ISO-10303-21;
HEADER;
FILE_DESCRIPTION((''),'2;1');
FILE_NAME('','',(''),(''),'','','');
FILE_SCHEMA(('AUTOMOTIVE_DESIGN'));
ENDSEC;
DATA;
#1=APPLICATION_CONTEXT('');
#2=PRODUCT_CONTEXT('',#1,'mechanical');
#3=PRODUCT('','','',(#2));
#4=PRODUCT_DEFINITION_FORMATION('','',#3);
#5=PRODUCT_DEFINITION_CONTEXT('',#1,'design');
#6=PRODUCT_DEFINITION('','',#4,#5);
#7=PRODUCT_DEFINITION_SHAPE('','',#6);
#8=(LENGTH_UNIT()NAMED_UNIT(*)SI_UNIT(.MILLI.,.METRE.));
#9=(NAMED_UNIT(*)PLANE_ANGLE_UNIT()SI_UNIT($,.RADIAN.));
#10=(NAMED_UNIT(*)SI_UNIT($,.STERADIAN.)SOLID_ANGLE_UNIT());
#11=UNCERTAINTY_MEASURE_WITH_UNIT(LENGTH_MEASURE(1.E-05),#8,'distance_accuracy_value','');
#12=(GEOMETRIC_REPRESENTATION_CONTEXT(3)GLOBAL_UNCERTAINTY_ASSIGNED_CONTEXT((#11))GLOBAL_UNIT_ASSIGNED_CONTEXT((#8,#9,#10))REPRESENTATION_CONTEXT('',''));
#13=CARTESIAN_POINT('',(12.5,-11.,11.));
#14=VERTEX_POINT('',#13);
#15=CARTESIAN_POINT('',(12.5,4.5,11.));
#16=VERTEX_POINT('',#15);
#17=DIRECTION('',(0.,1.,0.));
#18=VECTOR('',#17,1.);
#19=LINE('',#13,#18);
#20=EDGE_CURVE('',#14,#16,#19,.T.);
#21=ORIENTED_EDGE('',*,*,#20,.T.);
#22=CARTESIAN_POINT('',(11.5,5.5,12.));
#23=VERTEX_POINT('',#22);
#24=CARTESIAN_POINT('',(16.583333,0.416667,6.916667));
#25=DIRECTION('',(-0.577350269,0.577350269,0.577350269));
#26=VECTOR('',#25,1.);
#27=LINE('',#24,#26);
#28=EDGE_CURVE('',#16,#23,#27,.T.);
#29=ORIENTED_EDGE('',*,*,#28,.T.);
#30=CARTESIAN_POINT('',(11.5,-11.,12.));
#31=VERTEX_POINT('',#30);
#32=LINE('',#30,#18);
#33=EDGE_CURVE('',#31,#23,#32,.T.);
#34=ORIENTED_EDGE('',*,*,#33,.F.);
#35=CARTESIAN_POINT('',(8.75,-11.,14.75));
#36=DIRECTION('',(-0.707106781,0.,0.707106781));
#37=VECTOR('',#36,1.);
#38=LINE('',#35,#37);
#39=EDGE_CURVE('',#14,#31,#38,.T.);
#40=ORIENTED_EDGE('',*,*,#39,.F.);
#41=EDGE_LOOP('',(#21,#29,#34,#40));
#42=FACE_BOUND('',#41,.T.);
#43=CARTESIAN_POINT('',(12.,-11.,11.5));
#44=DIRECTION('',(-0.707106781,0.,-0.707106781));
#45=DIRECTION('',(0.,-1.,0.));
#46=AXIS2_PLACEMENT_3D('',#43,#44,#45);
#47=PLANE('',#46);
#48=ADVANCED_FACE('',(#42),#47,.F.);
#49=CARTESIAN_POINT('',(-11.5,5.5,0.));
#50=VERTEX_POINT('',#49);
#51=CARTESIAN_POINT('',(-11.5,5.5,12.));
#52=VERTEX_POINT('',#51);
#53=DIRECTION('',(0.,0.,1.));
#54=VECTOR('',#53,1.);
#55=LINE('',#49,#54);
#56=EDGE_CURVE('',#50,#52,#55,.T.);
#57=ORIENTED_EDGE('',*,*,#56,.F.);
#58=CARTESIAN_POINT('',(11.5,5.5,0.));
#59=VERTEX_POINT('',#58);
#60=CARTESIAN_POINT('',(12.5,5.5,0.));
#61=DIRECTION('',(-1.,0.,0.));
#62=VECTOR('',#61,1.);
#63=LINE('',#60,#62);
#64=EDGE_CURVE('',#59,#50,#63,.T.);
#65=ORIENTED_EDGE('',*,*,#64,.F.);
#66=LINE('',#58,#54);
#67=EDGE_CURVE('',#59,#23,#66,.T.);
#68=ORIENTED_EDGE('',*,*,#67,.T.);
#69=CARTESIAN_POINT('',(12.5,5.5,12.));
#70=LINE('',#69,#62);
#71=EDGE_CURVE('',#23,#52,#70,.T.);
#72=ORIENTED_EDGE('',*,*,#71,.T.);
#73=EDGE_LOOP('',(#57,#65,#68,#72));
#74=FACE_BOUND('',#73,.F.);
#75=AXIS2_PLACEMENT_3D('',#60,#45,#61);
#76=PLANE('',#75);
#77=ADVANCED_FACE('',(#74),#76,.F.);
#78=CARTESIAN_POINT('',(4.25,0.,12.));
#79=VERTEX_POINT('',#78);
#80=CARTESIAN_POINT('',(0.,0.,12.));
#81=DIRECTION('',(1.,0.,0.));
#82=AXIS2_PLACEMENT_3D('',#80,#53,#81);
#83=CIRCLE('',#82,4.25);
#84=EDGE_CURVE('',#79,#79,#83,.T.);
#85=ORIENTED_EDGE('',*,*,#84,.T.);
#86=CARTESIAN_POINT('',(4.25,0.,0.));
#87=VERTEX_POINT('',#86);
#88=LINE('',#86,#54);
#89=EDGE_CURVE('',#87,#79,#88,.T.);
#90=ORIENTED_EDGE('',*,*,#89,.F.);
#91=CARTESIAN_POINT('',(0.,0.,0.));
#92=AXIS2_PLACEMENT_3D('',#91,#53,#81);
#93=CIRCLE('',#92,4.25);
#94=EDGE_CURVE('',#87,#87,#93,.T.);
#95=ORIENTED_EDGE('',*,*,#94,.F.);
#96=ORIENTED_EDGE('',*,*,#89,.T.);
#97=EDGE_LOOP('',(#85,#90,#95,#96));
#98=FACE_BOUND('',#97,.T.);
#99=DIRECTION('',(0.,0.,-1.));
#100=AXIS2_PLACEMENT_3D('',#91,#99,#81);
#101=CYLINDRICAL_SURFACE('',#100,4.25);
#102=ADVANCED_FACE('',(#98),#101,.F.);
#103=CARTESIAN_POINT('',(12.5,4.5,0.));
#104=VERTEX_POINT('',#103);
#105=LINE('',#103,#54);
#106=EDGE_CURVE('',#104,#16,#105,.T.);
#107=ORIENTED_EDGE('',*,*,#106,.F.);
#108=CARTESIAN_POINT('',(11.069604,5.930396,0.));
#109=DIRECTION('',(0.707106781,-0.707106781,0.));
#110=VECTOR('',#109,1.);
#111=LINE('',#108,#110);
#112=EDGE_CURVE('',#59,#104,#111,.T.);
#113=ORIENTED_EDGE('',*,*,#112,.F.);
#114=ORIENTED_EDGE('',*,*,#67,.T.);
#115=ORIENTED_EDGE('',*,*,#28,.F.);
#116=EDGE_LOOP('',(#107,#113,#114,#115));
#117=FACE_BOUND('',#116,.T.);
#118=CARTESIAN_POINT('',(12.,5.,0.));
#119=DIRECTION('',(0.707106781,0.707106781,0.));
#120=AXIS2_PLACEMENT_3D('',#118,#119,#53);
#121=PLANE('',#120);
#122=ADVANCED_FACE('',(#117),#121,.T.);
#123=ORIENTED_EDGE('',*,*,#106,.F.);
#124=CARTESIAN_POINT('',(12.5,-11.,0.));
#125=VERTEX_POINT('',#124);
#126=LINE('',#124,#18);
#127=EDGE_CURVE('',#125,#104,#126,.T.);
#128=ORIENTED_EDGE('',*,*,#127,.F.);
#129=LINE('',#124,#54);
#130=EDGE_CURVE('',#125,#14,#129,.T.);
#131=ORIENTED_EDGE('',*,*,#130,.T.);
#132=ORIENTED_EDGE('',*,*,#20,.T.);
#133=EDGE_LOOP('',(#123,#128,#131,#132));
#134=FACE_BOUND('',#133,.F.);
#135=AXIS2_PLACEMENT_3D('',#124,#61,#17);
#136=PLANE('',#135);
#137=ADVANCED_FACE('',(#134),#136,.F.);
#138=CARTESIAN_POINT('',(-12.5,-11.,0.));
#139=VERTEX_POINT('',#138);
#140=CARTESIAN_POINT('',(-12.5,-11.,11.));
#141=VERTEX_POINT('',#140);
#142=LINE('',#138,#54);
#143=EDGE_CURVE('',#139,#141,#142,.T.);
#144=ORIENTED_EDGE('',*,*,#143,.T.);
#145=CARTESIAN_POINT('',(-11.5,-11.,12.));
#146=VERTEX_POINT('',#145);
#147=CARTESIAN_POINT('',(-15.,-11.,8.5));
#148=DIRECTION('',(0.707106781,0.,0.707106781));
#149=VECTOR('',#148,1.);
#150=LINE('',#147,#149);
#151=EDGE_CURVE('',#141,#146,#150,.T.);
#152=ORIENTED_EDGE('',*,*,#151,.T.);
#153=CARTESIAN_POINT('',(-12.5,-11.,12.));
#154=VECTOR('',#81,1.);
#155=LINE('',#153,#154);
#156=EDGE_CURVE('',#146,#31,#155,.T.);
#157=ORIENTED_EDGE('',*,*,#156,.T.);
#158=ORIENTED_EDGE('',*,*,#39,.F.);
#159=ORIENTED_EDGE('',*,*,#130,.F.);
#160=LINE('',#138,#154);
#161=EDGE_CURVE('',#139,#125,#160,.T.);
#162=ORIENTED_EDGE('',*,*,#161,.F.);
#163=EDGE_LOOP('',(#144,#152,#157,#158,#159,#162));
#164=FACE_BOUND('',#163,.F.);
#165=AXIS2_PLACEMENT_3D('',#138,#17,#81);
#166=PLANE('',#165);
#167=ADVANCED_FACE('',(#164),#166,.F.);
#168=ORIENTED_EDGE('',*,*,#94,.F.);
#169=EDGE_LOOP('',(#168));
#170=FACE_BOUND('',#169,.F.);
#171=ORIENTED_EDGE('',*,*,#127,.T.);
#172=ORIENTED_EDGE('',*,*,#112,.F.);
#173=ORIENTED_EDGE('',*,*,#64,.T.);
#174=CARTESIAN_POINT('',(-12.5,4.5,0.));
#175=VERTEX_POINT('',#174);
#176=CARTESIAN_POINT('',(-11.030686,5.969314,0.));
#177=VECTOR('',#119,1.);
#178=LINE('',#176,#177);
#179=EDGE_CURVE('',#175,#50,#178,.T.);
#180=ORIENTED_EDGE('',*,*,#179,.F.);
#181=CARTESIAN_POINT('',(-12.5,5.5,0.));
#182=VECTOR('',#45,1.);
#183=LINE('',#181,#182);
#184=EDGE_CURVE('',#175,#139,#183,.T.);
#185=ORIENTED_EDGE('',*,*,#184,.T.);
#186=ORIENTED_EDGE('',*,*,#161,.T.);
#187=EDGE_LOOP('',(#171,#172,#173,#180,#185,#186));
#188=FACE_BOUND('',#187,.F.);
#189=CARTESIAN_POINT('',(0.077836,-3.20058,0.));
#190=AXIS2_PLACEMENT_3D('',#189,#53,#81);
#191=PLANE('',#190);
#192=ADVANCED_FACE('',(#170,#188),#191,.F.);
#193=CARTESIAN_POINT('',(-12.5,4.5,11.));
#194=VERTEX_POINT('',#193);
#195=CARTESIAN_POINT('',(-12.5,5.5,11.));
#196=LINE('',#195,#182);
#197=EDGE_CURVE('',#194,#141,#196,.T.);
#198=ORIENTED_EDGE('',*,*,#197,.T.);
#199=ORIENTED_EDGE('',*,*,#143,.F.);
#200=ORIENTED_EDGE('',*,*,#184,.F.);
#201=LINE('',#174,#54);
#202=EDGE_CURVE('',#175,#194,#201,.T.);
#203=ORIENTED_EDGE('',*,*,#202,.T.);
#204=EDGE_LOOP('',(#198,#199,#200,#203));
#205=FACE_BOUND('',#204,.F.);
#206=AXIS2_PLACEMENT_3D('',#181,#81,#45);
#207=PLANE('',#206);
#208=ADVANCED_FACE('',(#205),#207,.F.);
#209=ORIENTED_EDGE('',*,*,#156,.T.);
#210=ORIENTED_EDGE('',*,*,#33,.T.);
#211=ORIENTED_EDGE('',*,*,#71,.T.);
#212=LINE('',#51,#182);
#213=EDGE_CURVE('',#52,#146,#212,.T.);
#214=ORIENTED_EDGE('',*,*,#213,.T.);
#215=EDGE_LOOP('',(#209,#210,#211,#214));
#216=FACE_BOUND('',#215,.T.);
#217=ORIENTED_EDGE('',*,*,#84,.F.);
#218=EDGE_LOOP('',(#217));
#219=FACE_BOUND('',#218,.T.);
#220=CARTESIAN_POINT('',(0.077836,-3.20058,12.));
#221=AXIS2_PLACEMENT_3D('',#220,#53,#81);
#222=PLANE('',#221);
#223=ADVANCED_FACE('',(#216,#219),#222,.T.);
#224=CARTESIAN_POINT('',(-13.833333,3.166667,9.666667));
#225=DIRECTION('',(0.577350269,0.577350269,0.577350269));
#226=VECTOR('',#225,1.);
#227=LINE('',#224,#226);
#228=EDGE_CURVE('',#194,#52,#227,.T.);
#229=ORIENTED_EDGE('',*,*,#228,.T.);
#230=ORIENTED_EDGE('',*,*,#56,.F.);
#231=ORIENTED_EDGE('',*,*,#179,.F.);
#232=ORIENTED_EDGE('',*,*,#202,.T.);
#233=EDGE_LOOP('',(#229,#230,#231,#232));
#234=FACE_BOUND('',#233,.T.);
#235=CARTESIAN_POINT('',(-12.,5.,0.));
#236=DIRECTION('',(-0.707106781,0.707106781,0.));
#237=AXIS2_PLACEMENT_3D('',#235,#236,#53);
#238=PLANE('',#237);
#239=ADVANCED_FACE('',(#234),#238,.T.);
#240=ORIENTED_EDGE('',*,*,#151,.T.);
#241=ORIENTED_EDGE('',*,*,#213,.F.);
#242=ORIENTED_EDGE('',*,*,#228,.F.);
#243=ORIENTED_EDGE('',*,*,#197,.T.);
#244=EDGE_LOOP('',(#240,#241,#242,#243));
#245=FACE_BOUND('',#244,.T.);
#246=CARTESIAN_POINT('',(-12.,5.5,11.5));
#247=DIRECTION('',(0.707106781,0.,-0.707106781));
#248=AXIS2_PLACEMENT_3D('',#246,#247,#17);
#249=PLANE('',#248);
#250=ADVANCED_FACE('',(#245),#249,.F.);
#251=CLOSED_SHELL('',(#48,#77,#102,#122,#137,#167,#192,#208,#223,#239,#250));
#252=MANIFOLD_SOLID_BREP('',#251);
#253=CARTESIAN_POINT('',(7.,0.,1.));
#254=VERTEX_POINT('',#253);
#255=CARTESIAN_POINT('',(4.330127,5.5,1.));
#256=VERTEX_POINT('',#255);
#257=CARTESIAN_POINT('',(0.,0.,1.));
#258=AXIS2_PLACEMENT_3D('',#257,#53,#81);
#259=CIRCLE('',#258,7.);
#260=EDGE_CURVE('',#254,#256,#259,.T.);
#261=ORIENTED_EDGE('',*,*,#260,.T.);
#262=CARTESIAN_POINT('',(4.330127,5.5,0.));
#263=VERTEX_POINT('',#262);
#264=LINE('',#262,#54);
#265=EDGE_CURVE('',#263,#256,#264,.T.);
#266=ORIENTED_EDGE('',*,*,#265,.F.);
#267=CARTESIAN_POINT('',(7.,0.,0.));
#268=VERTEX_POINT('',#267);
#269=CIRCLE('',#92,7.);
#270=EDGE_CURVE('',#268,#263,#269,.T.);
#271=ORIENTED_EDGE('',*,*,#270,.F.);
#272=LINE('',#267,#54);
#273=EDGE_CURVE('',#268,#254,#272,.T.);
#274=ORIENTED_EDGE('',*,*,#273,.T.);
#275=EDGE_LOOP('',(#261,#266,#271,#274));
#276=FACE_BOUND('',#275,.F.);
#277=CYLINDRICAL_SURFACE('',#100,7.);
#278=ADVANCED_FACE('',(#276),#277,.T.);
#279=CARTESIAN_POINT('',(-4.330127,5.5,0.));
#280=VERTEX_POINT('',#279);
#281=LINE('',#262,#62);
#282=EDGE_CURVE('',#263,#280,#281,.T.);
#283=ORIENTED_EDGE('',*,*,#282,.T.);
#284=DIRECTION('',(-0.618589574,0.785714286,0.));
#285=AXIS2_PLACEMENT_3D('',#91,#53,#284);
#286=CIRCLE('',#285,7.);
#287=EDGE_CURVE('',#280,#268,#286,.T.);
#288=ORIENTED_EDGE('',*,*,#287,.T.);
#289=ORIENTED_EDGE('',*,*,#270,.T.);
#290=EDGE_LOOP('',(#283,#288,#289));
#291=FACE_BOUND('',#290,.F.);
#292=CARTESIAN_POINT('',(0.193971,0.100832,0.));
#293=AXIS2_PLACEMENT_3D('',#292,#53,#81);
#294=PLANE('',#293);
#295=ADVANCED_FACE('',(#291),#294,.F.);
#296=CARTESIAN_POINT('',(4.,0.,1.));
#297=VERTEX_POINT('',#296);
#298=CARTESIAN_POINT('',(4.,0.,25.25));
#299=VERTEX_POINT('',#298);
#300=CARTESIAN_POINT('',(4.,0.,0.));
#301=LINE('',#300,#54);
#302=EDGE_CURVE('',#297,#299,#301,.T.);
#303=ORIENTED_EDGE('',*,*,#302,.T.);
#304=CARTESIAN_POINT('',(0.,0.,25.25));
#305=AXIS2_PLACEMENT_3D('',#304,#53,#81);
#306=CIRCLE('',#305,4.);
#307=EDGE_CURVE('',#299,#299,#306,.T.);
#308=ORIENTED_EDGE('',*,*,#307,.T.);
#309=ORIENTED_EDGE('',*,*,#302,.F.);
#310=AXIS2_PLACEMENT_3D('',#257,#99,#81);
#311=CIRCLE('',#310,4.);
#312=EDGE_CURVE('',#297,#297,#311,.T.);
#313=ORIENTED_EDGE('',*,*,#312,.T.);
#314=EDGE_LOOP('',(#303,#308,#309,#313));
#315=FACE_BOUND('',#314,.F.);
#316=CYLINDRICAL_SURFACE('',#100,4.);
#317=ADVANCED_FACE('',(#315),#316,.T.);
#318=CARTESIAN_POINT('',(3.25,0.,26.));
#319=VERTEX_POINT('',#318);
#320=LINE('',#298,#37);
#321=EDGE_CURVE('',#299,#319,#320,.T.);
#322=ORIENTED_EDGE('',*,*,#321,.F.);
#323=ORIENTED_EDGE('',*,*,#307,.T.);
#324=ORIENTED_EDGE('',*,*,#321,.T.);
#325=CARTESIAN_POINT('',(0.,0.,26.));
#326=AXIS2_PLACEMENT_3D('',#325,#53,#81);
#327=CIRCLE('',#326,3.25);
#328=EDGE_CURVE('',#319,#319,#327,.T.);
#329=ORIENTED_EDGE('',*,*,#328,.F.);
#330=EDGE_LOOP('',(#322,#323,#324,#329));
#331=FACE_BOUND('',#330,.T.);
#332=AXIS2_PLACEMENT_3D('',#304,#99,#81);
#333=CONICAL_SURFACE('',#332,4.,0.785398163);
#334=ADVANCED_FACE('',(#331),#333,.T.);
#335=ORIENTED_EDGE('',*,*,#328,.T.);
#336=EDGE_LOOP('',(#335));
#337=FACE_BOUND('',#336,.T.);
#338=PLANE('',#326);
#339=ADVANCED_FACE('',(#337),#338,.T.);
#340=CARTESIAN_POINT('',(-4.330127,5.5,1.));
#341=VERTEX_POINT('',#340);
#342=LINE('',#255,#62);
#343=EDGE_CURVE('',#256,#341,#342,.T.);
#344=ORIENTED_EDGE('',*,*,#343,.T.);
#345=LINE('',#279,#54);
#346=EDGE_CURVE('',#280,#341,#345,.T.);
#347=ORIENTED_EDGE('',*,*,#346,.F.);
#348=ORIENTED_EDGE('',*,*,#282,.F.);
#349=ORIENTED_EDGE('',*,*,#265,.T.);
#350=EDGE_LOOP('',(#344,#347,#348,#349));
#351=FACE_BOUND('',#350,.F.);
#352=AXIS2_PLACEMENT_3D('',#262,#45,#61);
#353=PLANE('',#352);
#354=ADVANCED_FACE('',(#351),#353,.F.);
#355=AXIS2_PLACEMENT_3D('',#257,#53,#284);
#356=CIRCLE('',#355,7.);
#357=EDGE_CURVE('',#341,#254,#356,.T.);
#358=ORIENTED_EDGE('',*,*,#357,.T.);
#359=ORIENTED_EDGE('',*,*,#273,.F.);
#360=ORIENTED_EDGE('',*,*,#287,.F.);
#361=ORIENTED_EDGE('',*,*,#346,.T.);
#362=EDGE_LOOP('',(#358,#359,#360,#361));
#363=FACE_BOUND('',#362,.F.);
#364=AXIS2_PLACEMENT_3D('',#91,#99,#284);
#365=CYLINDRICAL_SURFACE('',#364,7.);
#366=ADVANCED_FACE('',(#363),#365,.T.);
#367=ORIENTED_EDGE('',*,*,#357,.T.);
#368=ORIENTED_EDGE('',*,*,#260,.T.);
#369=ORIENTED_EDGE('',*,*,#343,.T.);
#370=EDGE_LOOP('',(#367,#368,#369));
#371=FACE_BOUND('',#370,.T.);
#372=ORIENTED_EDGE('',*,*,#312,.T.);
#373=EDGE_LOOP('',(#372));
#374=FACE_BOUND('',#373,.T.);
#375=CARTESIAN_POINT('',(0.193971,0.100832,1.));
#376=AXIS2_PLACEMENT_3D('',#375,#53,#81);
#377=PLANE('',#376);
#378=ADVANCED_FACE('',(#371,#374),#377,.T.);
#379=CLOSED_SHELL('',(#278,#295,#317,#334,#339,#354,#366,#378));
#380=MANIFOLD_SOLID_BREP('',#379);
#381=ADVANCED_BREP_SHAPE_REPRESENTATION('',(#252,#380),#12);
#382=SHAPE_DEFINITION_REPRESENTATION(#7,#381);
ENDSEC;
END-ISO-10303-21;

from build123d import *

# Parameters (mm, degrees)
F0_R     = 4
F1_DEPTH = 26
F0_R_2   = 4.25
F2_DEPTH = 1
F3_DEPTH = 12
F4_SIZE  = 0.75
F5_SIZE  = 1


with BuildPart() as f1:
    # F0 (on Top) → F1 (new body)
    with BuildSketch(Plane.XY):
        Circle(F0_R)
    extrude(amount=F1_DEPTH)

    # F0 (on Top) → F2 (join)
    with BuildSketch(Plane.XY):
        with BuildLine():
            Line((4.3301270189, 5.5), (-4.3301270189, 5.5))
            ThreePointArc((-4.3301270189, 5.5), (-3.0568865589, -6.2972569081), (7, 0))
            ThreePointArc((7, 0), (6.2972569081, 3.0568865589), (4.3301270189, 5.5))
        make_face()
        Circle(F0_R_2, mode=Mode.SUBTRACT)
        Circle(F0_R_2)
        Circle(F0_R, mode=Mode.SUBTRACT)
        Circle(F0_R)
    extrude(amount=F2_DEPTH)

    # F4
    f4_edges = [f1.edges().sort_by_distance(p)[0] for p in [
        (-4, 0, 26),
    ]]
    chamfer(f4_edges, length=F4_SIZE)


with BuildPart() as f3:
    # F0 (on Top) → F3 (new body)
    with BuildSketch(Plane.XY):
        with BuildLine():
            Line((-5.0990195136, 5.5), (-12.5, 5.5))
            Line((-12.5, 5.5), (-12.5, -11))
            Line((-12.5, -11), (12.5, -11))
            Line((12.5, -11), (12.5, 5.5))
            Line((12.5, 5.5), (5.0990195136, 5.5))
            ThreePointArc((5.0990195136, 5.5), (6.8735960876, 3.0006127414), (7.5, 0))
            ThreePointArc((7.5, 0), (-3.0006127414, -6.8735960876), (-5.0990195136, 5.5))
        make_face()
        with BuildLine():
            Line((-4.3301270189, 5.5), (-5.0990195136, 5.5))
            ThreePointArc((-5.0990195136, 5.5), (-3.0006127414, -6.8735960876), (7.5, 0))
            ThreePointArc((7.5, 0), (6.8735960876, 3.0006127414), (5.0990195136, 5.5))
            Line((5.0990195136, 5.5), (4.3301270189, 5.5))
            ThreePointArc((4.3301270189, 5.5), (6.2972569081, 3.0568865589), (7, 0))
            ThreePointArc((7, 0), (-3.0568865589, -6.2972569081), (-4.3301270189, 5.5))
        make_face()
        with BuildLine():
            Line((4.3301270189, 5.5), (-4.3301270189, 5.5))
            ThreePointArc((-4.3301270189, 5.5), (-3.0568865589, -6.2972569081), (7, 0))
            ThreePointArc((7, 0), (6.2972569081, 3.0568865589), (4.3301270189, 5.5))
        make_face()
        Circle(F0_R_2, mode=Mode.SUBTRACT)
    extrude(amount=F3_DEPTH)

    # F5
    f5_edges = [f3.edges().sort_by_distance(p)[0] for p in [
        (12.5, -2.75, 12),
        (-12.5, -2.75, 12),
        (12.5, 5.5, 6),
        (-12.5, 5.5, 6),
    ]]
    chamfer(f5_edges, length=F5_SIZE)


solid = Compound([f1.part, f3.part])
